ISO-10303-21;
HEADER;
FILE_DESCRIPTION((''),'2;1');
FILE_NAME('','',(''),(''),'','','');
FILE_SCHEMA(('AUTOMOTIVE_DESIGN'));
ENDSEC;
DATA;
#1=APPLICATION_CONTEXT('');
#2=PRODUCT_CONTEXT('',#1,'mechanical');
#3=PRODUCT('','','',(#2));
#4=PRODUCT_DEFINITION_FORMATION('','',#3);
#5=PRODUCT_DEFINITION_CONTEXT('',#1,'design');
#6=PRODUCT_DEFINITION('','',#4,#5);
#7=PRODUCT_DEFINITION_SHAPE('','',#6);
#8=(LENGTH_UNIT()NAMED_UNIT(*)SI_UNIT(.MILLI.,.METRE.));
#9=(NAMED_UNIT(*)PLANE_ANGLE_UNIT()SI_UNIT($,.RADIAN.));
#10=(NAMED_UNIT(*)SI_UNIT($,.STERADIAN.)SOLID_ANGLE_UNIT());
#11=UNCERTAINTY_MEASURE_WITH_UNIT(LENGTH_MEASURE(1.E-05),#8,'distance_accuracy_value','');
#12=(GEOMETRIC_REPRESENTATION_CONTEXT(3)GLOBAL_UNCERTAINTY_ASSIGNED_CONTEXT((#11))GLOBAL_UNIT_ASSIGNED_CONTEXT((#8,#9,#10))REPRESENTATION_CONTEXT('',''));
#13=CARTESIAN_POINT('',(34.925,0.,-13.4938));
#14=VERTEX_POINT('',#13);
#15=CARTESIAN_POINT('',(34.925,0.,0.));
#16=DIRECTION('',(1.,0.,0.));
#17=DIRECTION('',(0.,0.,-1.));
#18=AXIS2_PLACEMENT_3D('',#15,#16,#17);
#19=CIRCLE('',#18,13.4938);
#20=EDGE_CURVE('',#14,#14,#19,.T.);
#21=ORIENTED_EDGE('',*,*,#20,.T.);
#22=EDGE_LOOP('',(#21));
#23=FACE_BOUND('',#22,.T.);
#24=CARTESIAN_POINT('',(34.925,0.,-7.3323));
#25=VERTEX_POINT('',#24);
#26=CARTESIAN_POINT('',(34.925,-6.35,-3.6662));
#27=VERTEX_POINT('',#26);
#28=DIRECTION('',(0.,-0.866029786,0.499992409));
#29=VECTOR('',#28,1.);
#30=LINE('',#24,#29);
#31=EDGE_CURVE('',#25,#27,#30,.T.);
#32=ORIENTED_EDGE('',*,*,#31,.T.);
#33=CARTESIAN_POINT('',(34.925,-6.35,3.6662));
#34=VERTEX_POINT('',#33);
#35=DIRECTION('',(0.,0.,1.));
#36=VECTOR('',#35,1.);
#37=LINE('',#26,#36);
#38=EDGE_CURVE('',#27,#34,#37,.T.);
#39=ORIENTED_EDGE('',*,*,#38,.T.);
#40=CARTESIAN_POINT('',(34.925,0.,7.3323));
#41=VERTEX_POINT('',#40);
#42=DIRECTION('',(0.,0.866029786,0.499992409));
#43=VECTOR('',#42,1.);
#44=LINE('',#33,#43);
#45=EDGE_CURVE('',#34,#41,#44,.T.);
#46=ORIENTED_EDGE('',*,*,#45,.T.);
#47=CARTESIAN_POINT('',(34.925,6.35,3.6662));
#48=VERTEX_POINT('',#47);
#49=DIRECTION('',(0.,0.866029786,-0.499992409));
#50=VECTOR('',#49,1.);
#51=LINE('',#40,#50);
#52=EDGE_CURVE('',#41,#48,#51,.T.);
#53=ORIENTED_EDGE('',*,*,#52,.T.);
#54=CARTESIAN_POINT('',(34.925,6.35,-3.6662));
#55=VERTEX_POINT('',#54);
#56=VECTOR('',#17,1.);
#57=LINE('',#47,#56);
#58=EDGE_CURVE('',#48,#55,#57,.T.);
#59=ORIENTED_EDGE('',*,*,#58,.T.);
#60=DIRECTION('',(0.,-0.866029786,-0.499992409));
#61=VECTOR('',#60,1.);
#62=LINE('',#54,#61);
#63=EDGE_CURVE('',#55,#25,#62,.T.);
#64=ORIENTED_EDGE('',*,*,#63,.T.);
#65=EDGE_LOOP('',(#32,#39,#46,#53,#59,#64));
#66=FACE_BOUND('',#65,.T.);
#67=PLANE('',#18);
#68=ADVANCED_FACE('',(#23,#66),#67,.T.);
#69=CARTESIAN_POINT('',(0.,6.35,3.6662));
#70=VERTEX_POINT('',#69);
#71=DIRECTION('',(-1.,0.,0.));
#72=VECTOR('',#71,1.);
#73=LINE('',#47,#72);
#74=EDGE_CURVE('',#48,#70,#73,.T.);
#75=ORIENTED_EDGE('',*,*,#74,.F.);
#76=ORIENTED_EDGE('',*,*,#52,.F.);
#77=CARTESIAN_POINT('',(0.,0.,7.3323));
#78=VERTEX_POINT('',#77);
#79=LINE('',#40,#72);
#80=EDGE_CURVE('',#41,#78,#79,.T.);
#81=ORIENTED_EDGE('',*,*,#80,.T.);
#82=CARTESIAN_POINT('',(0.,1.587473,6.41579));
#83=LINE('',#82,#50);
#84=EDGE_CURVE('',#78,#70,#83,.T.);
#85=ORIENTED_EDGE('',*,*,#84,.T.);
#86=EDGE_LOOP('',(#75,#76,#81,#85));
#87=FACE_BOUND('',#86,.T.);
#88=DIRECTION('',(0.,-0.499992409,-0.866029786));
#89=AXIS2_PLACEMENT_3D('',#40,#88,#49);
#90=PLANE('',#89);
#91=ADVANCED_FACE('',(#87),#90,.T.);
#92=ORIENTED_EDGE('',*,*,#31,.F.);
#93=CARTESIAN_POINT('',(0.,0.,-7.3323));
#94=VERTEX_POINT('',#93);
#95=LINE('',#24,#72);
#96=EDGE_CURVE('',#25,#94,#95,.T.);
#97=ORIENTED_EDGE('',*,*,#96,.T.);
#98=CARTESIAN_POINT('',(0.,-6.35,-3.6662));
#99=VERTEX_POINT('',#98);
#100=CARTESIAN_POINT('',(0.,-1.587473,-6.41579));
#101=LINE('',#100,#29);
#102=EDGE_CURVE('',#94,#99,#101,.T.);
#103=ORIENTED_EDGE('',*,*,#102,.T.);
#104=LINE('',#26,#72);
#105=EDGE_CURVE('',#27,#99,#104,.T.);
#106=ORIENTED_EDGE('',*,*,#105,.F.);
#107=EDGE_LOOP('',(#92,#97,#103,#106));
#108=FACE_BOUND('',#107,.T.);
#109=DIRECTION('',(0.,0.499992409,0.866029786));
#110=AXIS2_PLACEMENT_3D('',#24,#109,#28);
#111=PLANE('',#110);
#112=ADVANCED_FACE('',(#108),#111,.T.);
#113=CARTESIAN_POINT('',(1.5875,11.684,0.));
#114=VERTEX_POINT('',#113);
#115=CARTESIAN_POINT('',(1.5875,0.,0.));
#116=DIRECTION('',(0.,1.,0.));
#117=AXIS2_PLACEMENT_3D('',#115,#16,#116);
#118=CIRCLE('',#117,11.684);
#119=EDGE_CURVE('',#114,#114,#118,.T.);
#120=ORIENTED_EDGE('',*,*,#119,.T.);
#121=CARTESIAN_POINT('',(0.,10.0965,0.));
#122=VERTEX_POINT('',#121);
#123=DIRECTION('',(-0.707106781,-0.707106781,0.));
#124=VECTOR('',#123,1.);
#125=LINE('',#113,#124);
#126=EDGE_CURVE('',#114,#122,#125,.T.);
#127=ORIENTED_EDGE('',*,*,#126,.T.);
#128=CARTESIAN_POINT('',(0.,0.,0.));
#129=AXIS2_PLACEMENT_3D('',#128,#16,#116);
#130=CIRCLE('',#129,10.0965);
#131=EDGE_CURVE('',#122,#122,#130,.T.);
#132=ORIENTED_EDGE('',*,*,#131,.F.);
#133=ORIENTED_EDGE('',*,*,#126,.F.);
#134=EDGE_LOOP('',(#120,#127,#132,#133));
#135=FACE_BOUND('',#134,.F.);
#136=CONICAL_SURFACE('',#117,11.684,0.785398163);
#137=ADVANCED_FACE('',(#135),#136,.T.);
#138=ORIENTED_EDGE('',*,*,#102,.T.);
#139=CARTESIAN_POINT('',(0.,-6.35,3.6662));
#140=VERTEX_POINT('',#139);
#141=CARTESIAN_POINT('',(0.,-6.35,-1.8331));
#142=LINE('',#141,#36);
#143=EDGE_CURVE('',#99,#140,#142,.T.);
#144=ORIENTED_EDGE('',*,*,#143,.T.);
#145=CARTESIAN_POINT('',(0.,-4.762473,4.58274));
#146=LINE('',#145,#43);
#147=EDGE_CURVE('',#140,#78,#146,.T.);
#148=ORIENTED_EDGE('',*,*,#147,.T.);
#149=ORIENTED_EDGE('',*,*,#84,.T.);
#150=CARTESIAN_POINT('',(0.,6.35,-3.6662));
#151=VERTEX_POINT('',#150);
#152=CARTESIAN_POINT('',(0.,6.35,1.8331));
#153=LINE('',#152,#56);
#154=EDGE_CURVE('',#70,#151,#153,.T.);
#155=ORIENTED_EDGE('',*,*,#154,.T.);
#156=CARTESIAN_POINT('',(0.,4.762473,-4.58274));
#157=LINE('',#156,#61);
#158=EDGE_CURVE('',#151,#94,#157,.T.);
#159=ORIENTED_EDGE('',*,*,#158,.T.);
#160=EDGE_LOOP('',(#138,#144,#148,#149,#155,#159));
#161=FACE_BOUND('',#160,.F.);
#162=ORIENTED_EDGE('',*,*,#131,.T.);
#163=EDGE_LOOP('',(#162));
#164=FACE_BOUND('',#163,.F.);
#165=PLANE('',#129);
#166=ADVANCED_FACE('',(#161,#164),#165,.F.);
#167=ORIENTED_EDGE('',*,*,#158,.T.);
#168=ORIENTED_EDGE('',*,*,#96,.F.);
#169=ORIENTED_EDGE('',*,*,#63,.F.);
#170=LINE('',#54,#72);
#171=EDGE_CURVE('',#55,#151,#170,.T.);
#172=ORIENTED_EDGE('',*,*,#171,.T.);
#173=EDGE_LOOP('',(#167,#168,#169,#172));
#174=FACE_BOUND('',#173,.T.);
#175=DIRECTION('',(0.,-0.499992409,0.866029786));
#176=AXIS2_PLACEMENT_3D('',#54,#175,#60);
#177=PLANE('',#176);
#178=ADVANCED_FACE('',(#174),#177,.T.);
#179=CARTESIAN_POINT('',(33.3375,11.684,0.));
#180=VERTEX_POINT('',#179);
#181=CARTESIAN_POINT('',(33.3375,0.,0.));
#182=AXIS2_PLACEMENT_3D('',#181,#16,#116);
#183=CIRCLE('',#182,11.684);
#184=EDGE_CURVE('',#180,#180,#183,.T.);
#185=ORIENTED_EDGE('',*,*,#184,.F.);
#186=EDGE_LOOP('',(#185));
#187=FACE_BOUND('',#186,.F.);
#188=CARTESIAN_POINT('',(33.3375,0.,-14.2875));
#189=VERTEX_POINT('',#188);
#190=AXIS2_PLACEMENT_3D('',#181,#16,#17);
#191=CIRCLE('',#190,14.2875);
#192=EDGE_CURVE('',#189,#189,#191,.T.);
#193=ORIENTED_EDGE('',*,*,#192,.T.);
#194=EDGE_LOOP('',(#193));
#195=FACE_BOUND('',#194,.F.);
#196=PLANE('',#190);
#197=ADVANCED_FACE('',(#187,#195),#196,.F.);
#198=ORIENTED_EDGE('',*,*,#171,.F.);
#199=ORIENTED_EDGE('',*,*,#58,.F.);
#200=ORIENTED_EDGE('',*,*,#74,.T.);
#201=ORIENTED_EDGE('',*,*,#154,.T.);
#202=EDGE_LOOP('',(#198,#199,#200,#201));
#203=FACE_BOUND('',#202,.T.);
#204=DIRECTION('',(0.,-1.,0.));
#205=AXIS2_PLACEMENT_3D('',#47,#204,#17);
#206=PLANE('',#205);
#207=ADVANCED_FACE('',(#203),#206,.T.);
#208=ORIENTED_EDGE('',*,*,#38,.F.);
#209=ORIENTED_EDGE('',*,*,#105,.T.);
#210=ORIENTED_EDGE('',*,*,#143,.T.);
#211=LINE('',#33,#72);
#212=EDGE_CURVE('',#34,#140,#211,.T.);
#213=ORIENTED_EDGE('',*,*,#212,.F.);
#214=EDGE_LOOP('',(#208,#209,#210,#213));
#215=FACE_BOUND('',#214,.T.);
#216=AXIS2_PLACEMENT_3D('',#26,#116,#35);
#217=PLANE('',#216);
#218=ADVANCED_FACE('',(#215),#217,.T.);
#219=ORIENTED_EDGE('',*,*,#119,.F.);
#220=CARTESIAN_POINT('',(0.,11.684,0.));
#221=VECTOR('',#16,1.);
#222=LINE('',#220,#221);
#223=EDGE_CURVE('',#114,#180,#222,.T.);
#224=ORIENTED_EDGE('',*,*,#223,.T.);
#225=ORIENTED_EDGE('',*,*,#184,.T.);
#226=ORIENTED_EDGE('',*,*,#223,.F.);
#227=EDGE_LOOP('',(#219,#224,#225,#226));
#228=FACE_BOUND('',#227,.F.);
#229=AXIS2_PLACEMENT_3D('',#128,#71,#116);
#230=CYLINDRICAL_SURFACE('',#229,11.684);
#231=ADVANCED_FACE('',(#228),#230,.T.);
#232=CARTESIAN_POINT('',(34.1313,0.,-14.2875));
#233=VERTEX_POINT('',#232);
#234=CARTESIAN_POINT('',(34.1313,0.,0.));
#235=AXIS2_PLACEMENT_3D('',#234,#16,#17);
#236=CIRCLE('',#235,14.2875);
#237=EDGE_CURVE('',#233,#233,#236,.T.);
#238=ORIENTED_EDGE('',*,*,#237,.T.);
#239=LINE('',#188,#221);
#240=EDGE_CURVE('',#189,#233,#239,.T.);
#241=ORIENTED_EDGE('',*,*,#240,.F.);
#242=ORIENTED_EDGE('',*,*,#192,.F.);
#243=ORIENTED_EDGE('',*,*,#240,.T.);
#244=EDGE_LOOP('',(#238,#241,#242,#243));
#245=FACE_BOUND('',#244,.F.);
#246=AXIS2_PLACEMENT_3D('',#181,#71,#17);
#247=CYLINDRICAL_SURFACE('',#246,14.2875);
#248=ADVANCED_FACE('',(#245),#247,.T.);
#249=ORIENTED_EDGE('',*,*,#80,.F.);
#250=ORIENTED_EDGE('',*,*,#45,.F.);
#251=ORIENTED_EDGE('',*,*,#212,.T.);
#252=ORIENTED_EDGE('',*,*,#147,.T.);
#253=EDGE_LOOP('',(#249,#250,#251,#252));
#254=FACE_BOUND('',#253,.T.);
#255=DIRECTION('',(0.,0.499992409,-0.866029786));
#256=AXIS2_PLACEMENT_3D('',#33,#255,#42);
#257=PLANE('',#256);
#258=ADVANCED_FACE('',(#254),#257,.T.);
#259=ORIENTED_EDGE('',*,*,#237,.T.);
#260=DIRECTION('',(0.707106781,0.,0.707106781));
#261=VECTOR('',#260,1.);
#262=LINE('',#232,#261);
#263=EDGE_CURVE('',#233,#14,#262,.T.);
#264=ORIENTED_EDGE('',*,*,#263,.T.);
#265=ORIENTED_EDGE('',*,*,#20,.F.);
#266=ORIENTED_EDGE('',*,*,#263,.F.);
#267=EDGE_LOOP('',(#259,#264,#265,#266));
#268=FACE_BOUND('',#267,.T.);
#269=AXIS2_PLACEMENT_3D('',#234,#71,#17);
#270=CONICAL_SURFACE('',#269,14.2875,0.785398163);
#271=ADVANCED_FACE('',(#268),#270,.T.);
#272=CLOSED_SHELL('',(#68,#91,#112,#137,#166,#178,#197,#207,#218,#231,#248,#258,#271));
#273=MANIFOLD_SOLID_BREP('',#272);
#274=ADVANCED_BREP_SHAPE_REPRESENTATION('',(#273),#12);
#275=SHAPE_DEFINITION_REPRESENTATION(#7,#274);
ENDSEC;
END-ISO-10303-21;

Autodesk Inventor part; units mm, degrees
ref_plane "YZ Plane" through (0, 0, 0) normal (1, 0, 0) x (0, 1, 0)
ref_plane "XZ Plane" through (0, 0, 0) normal (0, 1, 0) x (-1, 0, 0)
ref_plane "XY Plane" through (0, 0, 0) normal (0, 0, 1) x (1, 0, 0)
sketch "Sketch1" plane through (0, 0, 0) normal (1, 0, 0) x (0, 1, 0)
  circle A0 centre (0, 0) radius 11.684
  dimension "d0" = 23.368
extrude "Extrusion1" add sketch "Sketch1" along normal blind 33.3375
sketch "Sketch2" plane through (33.3375, 0, 0) normal (1, 0, 0) x (0, 0, -1)
  circle A0 centre (0, 0) radius 11.684 projected
  circle A1 centre (0, 0) radius 14.2875
  dimension "d4" = 28.575
extrude "Extrusion2" add sketch "Sketch2" along normal blind 1.5875 contours A0 | A1
sketch "Sketch3" plane through (34.925, 0, 0) normal (1, 0, 0) x (0, 0, -1)
  circle A0 centre (0, 0) radius 14.2875 projected
  line L0 (3.6662, 6.35) -> (7.3323, 0)
  line L1 (7.3323, 0) -> (3.6662, -6.35)
  line L2 (3.6662, -6.35) -> (-3.6662, -6.35)
  line L3 (-3.6662, -6.35) -> (-7.3323, 0)
  line L4 (-7.3323, 0) -> (-3.6662, 6.35)
  line L5 (-3.6662, 6.35) -> (3.6662, 6.35)
  dimension "d11" = 12.7
extrude "Extrusion3" cut sketch "Sketch3" against normal blind 50.8 contours L0 L1 L2 L3 L4 L5
chamfer "Chamfer1" distance 0.7937 angle 45 1 edges at (34.925, 0, 14.2875)
chamfer "Chamfer2" distance 1.5875 angle 45 1 edges at (0, -11.684, 0)
properties part number "colson hub" material "Aluminum 6061"
